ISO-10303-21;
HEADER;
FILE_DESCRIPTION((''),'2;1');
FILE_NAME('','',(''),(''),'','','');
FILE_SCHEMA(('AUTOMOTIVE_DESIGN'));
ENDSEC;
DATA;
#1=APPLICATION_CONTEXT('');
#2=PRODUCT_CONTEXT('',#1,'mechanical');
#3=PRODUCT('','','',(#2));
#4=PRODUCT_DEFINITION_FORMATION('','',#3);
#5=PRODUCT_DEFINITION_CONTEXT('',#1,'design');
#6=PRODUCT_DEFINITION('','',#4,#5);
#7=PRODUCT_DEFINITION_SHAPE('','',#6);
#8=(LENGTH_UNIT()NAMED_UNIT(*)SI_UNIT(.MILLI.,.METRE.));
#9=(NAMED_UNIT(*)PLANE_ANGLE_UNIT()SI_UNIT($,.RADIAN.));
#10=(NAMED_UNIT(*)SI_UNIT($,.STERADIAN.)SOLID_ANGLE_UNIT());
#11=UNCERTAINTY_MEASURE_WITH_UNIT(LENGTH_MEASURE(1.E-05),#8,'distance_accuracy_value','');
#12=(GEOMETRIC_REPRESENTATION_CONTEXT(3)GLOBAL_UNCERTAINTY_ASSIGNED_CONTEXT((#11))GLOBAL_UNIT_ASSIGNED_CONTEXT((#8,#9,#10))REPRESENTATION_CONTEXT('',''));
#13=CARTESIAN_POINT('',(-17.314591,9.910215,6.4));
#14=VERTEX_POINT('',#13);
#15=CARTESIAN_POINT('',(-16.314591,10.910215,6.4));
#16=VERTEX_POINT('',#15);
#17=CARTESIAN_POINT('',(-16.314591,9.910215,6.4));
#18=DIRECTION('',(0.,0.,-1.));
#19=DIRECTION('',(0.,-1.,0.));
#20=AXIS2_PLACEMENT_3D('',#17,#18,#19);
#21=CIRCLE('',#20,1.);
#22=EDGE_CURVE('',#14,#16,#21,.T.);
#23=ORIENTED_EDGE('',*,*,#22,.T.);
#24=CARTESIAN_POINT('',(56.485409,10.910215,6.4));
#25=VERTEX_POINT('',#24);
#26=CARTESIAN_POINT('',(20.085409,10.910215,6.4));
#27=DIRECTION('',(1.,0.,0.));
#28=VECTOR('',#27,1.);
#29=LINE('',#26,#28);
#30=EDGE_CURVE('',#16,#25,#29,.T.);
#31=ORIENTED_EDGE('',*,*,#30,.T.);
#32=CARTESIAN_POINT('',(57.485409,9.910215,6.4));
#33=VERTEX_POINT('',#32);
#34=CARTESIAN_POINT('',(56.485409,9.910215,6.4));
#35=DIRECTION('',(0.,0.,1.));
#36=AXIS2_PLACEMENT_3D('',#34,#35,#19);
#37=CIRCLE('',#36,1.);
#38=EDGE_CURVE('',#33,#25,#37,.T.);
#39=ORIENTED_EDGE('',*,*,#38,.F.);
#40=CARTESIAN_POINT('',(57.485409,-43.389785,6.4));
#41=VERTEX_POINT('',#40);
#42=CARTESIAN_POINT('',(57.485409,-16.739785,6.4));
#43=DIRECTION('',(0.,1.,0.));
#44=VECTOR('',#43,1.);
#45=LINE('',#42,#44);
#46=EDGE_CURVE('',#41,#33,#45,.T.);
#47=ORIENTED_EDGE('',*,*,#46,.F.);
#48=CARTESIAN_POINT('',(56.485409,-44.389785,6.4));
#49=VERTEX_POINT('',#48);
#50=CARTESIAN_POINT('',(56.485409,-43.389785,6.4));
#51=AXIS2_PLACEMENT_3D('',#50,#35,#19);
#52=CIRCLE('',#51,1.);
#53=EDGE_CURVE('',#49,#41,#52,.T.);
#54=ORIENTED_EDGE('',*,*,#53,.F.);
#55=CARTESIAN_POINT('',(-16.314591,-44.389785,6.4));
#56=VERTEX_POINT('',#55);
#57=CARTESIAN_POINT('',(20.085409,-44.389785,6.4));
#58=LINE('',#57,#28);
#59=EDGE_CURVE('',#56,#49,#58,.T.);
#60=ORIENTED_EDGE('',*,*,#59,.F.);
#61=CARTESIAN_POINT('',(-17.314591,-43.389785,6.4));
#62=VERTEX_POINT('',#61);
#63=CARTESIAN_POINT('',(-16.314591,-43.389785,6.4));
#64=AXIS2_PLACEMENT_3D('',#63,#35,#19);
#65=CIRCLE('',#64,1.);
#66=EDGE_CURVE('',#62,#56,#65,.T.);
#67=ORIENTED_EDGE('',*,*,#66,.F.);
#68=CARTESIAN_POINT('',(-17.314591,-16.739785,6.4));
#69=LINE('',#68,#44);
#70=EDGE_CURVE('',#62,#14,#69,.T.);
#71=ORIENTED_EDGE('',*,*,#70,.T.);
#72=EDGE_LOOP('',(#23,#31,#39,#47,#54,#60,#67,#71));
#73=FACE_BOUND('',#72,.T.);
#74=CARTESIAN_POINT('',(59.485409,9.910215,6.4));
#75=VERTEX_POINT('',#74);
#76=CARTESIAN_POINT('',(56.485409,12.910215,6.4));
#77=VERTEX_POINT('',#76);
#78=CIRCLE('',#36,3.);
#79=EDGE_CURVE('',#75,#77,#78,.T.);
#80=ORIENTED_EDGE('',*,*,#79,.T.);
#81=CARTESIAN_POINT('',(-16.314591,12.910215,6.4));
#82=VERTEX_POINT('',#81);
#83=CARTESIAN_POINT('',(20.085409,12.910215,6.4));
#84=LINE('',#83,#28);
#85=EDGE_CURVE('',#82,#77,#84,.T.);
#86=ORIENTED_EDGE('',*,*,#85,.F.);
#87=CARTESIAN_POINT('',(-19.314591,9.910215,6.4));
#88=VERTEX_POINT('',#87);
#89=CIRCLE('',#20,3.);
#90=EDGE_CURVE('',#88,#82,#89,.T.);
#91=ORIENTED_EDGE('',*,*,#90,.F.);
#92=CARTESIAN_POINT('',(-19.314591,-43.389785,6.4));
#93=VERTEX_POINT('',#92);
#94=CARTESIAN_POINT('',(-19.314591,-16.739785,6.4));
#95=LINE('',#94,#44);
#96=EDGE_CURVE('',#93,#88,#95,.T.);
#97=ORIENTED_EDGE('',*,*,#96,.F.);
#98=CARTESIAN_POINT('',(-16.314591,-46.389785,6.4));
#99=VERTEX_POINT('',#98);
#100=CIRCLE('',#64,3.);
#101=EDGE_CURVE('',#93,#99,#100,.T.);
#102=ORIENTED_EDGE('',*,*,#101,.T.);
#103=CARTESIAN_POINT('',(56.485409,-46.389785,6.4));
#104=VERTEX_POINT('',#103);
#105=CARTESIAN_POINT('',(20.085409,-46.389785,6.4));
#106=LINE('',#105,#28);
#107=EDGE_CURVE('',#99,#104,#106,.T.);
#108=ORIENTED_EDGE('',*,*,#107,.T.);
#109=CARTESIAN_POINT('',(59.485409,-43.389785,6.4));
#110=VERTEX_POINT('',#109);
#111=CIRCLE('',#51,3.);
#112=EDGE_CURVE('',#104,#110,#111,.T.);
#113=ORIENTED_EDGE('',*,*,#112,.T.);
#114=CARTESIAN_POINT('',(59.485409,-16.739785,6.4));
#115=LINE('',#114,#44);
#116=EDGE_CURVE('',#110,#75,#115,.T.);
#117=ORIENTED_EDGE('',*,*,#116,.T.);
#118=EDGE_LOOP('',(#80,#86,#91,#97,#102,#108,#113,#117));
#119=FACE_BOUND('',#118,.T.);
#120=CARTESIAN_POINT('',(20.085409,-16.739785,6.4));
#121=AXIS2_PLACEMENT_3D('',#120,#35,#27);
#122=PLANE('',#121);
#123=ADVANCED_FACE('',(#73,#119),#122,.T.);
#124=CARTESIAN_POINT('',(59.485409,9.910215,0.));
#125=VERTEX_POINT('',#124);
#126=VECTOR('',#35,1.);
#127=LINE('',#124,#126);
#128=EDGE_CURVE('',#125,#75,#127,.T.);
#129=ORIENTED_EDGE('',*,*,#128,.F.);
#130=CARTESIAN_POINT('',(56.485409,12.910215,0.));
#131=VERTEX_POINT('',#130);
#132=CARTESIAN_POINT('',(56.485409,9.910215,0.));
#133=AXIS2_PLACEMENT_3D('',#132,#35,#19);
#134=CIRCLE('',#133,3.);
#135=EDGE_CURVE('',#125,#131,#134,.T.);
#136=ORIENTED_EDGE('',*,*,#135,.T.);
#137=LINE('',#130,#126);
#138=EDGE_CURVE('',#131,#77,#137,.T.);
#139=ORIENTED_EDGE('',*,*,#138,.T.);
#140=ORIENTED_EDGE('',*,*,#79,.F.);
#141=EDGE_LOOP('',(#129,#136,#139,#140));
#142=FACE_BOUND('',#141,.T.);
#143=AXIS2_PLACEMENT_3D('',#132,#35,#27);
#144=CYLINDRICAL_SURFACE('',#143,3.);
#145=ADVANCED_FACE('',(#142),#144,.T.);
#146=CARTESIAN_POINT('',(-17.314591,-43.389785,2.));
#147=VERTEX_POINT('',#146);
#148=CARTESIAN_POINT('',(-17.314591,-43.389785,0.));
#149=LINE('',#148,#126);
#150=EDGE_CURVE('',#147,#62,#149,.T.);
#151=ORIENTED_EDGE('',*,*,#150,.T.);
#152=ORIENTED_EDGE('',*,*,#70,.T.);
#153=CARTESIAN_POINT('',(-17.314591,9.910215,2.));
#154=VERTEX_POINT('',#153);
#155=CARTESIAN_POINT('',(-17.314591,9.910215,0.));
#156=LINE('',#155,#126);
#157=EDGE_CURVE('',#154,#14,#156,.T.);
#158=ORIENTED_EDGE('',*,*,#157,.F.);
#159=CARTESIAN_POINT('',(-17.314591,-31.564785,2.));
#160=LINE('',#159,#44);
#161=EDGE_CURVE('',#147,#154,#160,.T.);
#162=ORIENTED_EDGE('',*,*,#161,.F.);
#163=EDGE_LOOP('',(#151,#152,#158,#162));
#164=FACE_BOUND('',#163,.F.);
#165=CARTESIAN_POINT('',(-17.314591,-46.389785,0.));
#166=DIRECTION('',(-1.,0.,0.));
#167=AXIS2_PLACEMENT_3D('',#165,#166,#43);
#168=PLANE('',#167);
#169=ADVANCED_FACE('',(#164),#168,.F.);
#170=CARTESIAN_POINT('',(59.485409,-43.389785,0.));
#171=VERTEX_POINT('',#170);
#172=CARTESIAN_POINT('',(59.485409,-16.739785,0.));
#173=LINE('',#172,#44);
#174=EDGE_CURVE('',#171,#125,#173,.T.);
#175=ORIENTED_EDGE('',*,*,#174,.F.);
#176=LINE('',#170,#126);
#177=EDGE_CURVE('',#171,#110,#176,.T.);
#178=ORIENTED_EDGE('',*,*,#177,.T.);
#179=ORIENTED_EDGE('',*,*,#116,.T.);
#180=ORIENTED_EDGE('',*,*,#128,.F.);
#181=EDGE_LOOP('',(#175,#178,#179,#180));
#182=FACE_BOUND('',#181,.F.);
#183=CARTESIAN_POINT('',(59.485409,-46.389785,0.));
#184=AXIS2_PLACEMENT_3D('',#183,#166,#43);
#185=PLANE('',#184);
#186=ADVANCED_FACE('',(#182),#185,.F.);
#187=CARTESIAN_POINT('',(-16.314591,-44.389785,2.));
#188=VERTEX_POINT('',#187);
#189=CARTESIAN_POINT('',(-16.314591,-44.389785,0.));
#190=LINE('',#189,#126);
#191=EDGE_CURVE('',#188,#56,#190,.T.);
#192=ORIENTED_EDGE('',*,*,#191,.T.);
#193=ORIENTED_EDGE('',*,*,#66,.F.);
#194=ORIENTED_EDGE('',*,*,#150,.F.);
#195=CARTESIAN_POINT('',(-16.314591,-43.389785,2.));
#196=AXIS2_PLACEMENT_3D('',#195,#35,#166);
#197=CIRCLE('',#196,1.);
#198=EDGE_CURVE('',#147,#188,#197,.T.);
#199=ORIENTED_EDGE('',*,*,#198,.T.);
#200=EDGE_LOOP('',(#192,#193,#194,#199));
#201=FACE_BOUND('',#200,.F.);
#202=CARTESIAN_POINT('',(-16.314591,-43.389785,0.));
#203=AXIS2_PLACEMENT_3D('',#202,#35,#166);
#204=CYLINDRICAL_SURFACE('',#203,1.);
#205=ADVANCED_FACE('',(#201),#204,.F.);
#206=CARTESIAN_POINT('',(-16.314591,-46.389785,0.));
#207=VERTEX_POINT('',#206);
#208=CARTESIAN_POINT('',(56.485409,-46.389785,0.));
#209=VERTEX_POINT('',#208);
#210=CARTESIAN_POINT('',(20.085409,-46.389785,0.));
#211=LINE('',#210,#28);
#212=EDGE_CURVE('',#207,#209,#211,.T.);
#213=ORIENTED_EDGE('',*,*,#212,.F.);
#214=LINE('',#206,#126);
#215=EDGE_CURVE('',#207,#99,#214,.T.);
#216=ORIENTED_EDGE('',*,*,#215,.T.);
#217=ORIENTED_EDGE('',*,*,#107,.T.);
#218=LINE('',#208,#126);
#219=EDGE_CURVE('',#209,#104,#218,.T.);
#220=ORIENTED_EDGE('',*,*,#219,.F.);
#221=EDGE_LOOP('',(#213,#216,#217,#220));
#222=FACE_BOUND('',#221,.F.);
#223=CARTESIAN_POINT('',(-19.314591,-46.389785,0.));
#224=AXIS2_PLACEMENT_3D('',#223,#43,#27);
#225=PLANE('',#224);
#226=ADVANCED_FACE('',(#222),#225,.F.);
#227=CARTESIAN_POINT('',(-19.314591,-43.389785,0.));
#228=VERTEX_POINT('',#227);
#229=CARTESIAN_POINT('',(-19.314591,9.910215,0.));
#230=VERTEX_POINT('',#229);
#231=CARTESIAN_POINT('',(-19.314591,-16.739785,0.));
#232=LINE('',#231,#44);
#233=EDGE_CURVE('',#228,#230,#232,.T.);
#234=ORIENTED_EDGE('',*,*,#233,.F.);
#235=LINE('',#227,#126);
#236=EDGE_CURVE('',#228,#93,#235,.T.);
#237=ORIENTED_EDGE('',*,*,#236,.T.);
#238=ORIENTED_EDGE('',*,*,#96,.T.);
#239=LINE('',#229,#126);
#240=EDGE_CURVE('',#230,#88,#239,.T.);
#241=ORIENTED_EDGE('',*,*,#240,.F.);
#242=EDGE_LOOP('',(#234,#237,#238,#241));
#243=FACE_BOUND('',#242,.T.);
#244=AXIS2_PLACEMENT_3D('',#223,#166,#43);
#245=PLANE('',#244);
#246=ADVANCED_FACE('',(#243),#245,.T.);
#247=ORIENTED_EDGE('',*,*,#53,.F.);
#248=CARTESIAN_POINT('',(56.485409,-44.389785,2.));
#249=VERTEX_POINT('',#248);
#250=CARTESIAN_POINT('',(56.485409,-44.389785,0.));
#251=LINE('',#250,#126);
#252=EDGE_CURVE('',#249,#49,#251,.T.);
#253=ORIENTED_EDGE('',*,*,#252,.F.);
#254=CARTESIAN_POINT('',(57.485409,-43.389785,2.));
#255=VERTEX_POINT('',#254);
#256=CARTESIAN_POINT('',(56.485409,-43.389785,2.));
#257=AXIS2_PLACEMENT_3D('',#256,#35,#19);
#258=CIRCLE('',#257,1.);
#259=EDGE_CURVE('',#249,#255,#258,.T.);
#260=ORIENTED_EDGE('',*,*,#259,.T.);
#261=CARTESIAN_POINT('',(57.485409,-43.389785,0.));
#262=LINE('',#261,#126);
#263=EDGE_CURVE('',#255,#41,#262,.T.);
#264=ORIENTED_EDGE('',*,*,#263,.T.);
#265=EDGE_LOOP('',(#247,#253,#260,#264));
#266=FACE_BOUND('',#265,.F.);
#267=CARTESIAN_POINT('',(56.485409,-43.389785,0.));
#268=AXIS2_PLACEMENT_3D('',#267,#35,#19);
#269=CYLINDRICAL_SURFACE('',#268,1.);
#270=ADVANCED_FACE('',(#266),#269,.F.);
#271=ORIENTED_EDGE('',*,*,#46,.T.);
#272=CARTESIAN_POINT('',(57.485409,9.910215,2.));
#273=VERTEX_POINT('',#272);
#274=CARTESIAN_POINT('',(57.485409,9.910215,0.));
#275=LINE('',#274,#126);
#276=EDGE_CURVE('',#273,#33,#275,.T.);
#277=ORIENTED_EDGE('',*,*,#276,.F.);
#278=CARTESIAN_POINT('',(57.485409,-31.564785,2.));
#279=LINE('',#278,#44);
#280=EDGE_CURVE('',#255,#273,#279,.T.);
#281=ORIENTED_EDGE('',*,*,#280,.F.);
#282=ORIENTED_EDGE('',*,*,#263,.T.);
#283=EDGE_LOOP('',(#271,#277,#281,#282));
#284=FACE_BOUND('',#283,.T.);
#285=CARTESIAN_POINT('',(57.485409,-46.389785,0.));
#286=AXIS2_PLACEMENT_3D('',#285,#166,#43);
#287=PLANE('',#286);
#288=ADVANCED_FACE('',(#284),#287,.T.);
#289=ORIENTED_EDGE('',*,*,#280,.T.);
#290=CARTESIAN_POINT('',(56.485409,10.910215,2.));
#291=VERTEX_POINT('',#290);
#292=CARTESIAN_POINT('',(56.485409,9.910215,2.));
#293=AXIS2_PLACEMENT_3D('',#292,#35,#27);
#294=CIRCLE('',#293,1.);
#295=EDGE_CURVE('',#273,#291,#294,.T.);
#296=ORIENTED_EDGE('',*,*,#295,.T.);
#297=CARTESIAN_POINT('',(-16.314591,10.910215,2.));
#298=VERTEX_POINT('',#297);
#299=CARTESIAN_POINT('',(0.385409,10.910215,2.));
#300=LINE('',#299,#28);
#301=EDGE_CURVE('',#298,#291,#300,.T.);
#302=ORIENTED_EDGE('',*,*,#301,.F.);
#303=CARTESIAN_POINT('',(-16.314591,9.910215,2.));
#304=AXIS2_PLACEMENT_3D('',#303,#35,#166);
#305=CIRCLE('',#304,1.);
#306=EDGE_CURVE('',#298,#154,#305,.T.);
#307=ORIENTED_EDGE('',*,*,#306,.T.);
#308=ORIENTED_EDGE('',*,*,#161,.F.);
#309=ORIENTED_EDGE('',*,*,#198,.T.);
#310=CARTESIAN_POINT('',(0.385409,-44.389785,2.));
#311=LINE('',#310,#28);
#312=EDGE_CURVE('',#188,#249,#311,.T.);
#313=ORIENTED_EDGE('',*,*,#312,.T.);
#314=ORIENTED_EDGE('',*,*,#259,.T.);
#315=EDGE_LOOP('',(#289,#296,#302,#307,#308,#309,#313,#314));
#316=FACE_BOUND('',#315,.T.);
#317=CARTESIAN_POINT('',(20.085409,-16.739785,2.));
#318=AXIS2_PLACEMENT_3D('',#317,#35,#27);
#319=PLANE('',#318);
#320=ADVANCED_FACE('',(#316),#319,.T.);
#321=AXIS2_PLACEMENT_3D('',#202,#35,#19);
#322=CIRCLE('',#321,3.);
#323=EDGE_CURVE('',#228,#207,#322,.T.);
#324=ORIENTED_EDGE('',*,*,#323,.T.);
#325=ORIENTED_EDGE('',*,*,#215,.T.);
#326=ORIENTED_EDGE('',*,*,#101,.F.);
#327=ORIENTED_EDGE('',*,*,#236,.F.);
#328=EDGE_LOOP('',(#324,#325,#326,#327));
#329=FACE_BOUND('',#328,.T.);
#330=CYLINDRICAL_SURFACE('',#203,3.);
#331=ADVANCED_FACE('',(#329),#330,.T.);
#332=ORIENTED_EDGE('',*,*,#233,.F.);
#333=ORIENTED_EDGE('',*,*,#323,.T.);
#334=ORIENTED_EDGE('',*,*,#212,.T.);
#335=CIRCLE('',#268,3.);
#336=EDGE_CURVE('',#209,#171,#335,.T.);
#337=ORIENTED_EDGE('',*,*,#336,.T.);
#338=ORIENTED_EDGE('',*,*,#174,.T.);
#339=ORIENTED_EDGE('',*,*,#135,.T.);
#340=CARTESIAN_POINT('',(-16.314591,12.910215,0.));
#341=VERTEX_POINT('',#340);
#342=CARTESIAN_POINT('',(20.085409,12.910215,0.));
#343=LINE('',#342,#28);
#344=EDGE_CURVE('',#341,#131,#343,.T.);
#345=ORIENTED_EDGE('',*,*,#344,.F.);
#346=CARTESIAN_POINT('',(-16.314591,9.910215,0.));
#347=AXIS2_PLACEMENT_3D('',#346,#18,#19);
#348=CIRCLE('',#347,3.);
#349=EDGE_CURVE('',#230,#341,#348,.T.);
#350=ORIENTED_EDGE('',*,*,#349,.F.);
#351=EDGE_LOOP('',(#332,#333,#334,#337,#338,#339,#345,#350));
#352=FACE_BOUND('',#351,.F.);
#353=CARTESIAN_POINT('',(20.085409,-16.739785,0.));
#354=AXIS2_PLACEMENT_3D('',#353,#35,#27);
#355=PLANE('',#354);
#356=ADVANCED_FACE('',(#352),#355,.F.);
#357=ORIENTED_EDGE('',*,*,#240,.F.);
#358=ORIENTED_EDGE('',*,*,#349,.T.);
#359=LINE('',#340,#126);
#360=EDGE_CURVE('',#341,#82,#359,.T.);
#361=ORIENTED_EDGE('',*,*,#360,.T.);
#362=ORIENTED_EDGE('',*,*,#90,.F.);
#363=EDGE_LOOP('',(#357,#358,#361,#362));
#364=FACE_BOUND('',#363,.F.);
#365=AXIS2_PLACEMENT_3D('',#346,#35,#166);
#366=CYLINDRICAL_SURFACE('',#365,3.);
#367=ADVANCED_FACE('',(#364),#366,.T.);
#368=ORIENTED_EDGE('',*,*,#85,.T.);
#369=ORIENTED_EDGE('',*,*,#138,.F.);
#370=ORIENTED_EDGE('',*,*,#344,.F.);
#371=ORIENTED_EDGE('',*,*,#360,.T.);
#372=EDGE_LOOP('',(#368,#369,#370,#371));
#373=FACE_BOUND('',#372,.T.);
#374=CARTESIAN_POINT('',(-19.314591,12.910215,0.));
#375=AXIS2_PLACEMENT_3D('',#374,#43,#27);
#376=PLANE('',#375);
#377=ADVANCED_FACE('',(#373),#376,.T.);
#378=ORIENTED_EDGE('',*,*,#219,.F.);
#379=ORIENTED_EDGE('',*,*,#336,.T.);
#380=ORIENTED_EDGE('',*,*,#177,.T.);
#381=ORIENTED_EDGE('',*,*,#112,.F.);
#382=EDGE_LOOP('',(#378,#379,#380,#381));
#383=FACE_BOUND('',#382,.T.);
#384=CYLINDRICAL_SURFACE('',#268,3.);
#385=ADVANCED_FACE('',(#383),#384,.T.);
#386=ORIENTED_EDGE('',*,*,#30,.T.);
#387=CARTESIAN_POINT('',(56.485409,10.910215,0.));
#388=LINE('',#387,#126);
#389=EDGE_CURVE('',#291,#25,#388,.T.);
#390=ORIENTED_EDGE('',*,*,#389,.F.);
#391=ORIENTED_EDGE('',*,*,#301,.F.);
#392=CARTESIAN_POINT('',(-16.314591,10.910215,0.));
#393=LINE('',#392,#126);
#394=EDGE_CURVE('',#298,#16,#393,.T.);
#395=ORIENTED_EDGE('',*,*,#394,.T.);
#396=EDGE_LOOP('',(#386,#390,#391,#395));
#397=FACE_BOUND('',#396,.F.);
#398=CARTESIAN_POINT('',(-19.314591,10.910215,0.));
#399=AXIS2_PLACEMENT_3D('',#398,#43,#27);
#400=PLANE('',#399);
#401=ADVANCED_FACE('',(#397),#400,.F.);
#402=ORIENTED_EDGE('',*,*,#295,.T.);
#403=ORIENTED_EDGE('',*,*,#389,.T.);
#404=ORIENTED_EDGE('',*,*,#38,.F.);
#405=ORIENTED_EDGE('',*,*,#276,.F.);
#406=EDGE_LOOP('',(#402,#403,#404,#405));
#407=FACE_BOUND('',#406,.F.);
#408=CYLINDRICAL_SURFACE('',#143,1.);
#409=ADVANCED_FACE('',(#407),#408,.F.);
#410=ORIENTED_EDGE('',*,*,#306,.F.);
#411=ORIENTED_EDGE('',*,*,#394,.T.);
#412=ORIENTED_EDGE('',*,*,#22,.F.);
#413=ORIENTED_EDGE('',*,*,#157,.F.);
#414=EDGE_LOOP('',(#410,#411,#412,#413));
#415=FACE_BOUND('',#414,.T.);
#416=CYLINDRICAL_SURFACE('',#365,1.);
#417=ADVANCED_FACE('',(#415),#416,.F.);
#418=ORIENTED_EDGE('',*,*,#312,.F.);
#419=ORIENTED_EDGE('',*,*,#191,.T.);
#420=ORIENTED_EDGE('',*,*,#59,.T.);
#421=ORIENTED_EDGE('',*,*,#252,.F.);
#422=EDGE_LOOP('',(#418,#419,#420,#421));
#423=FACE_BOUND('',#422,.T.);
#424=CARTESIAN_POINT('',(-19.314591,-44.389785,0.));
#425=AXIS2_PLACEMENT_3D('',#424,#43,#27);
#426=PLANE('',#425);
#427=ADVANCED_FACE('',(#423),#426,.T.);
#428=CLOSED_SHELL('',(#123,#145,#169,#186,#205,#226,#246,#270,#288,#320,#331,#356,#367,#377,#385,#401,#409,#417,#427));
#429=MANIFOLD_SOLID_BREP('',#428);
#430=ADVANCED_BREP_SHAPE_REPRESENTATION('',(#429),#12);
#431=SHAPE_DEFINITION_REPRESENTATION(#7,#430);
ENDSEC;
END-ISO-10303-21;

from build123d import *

# Parameters (mm, degrees)
F0_W     = 78.8
F0_H     = 59.3
F1_DEPTH = 6.4
F2_R     = 3
F3_T     = -2


with BuildPart() as f1:
    # F0 (on Top) → F1 (new body)
    with BuildSketch(Plane.XY):
        with Locations((20.085409, -16.739785)):
            Rectangle(F0_W, F0_H)
    extrude(amount=F1_DEPTH)

    # F2
    f2_edges = [f1.edges().sort_by_distance(p)[0] for p in [
        (-19.314591, -46.389785, 3.2),
        (59.485409, -46.389785, 3.2),
        (59.485409, 12.910215, 3.2),
        (-19.314591, 12.910215, 3.2),
    ]]
    fillet(f2_edges, radius=F2_R)

    # F3
    f3_openings = [f1.faces().sort_by_distance(p)[0] for p in [
        (20.085409, -16.739785, 6.4),
    ]]
    offset(amount=F3_T, openings=f3_openings)


solid = f1.part
